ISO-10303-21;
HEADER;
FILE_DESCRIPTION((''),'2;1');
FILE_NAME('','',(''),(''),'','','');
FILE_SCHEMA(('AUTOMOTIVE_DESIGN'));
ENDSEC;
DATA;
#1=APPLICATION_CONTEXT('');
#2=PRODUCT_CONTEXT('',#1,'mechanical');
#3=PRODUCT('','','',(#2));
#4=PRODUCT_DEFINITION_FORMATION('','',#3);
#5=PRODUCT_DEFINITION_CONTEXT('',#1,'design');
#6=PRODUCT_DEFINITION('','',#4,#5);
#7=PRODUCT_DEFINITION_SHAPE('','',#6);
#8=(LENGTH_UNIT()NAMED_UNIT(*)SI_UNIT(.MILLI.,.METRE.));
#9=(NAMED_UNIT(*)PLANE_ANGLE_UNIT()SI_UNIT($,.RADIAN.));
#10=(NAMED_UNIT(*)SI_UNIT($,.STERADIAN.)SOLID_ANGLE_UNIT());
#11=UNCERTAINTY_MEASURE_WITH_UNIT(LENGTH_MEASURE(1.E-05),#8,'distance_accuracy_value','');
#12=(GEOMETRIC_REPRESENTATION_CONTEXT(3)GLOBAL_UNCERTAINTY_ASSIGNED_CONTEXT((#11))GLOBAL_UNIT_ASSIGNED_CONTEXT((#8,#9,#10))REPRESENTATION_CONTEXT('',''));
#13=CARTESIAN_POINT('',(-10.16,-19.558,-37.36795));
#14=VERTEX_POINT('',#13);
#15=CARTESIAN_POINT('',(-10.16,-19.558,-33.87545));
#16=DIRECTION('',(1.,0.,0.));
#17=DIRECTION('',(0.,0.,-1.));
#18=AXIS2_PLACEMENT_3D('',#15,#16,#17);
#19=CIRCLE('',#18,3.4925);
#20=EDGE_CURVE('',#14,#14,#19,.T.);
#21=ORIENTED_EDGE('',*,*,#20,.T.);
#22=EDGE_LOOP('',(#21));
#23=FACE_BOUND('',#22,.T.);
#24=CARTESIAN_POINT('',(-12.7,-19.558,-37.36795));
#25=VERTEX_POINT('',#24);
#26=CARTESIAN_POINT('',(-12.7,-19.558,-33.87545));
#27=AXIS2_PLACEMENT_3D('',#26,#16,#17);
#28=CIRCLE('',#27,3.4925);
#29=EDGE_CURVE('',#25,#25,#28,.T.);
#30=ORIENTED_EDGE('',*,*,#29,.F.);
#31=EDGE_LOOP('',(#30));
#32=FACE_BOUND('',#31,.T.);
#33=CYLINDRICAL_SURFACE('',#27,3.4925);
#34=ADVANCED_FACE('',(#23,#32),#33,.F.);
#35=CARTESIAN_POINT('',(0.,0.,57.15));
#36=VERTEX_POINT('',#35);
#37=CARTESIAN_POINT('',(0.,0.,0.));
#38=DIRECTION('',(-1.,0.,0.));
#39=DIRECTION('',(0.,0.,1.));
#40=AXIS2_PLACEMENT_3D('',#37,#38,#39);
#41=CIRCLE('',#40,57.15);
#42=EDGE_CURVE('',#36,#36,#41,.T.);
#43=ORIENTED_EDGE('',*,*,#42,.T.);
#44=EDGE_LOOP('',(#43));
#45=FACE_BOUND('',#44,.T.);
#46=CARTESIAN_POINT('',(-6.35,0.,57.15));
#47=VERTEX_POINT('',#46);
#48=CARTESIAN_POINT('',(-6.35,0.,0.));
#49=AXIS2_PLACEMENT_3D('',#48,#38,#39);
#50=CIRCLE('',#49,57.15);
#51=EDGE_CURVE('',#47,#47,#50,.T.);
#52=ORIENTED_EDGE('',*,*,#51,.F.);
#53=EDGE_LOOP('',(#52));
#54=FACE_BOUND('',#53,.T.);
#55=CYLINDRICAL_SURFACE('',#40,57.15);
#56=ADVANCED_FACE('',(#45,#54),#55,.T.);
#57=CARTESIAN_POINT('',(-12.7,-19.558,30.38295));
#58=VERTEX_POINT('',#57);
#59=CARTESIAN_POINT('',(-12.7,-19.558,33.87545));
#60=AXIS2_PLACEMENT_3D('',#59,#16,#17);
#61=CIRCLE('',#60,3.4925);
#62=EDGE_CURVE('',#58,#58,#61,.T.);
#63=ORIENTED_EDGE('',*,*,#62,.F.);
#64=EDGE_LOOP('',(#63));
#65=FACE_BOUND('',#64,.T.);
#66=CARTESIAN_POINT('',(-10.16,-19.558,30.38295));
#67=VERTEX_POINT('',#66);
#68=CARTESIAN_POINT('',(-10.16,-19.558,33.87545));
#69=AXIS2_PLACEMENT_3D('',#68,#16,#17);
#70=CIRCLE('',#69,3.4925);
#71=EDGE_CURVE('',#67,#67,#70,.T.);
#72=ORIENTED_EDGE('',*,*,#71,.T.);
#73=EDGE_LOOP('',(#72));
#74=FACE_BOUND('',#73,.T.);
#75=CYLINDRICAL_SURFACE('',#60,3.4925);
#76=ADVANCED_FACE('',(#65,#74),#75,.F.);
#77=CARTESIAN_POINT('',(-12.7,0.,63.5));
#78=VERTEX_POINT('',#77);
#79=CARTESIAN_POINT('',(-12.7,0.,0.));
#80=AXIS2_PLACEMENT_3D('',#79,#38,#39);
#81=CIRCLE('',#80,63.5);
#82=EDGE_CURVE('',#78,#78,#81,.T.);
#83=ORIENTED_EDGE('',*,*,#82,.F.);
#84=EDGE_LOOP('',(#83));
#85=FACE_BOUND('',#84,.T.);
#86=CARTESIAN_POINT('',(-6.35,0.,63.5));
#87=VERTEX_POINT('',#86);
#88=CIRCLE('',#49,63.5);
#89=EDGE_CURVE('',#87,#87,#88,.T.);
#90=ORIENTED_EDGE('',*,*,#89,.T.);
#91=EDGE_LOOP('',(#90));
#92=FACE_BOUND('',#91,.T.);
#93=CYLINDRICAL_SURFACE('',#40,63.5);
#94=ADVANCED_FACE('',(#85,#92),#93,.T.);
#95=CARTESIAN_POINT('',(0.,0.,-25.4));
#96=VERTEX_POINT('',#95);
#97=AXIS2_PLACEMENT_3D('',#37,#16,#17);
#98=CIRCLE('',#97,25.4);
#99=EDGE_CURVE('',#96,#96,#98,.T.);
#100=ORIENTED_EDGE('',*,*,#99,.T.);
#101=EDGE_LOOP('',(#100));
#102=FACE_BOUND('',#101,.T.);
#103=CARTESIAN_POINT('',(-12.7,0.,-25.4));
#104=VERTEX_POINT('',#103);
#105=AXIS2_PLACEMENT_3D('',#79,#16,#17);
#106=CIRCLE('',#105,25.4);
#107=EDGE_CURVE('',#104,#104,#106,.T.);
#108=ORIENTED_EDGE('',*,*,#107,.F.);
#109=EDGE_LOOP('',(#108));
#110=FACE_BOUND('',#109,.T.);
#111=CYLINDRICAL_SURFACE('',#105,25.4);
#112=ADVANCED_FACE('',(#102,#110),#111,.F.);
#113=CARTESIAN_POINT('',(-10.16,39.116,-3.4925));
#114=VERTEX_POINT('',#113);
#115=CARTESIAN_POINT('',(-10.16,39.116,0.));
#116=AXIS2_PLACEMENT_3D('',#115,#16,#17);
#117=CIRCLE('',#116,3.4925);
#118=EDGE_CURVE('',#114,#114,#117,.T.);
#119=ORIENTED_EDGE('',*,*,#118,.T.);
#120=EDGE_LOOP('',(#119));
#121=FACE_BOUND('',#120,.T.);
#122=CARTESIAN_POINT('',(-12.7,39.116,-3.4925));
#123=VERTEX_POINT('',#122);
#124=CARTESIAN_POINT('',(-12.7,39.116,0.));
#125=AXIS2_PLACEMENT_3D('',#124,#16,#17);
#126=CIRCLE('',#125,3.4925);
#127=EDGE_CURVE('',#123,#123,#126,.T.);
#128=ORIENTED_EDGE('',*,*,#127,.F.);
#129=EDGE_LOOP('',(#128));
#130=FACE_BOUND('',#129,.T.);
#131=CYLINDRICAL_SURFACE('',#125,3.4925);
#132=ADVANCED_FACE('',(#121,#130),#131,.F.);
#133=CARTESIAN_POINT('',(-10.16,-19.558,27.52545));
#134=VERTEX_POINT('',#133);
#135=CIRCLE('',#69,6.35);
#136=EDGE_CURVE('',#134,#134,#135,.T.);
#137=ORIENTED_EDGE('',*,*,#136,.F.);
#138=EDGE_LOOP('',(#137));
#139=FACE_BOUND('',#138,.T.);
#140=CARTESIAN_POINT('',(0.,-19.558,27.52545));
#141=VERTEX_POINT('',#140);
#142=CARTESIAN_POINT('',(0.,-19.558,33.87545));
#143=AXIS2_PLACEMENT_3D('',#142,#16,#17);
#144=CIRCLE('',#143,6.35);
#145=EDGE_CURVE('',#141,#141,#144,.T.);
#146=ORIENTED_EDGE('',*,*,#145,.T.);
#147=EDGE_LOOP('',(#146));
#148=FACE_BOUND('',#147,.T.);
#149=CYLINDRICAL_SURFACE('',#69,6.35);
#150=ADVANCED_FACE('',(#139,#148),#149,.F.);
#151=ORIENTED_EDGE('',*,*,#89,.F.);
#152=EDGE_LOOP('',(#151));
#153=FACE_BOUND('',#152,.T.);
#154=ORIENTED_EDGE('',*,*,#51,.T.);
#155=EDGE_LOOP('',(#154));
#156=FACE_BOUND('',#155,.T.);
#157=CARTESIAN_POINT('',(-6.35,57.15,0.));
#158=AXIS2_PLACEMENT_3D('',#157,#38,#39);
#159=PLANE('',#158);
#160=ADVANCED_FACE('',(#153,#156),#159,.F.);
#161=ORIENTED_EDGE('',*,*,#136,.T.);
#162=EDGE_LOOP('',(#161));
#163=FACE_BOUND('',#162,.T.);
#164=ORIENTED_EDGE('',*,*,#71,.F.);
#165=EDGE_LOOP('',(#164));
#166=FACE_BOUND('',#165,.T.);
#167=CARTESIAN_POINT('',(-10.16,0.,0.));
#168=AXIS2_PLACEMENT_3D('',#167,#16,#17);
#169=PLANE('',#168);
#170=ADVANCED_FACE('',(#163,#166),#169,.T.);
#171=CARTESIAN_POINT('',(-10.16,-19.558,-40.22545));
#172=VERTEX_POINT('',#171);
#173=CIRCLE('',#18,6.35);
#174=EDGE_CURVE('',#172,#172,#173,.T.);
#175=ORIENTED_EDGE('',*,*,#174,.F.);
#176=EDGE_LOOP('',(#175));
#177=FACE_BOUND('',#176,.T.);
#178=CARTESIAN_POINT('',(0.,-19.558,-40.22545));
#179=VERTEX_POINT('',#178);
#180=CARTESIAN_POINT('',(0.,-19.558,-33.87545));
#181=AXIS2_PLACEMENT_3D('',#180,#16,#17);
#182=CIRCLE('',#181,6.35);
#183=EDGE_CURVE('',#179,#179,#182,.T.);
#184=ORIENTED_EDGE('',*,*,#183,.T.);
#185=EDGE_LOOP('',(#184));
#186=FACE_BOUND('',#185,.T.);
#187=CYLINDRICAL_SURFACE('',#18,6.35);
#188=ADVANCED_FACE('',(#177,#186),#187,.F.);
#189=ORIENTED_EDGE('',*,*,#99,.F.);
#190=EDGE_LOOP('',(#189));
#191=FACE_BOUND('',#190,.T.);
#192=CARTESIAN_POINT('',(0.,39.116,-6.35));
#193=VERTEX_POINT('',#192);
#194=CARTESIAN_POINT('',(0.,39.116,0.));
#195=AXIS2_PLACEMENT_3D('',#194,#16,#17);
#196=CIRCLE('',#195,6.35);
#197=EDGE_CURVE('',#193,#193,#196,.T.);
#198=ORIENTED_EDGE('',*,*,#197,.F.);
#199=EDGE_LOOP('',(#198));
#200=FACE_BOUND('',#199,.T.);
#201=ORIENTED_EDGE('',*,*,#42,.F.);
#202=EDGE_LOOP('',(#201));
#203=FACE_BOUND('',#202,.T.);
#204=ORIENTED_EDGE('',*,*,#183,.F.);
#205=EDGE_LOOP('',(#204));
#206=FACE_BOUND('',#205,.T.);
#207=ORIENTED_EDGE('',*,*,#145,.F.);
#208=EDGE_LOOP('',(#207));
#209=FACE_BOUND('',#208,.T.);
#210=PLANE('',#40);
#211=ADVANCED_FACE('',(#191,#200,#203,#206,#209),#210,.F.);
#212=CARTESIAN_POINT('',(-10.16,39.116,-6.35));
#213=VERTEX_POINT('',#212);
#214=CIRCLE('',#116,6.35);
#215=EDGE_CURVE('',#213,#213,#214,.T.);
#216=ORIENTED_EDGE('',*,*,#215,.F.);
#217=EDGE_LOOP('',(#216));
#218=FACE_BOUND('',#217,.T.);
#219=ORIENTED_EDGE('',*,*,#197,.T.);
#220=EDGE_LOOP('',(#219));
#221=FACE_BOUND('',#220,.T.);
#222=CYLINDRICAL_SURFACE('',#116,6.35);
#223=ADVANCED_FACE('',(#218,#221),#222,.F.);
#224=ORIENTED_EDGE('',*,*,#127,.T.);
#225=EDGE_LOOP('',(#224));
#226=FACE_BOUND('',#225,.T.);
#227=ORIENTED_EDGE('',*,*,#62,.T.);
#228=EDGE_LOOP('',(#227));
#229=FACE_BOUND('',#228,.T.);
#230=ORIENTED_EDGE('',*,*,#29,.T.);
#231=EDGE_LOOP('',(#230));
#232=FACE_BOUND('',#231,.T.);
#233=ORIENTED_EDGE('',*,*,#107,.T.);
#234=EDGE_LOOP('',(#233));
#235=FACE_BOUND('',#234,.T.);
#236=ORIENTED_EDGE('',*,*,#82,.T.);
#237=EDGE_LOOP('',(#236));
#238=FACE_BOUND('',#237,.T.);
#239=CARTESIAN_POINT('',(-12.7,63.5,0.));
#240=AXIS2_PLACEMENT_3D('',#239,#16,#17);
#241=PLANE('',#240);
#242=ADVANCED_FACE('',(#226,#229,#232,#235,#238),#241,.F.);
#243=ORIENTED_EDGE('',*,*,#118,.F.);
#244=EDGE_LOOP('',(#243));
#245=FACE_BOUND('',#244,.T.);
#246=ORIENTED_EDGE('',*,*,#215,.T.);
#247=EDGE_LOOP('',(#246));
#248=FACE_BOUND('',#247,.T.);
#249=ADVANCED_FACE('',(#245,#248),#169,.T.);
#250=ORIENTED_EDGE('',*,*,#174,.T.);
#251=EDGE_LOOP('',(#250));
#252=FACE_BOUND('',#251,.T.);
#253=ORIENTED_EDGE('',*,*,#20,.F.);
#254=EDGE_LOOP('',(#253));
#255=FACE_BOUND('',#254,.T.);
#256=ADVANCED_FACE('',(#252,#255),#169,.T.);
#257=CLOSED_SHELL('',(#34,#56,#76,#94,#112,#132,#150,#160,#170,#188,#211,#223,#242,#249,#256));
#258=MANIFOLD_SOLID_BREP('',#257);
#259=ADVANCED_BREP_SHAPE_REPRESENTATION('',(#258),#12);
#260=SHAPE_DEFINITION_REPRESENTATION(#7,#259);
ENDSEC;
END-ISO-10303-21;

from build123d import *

# Parameters (mm, degrees)
SKETCH4_R          = 3.4925
SKETCH4_R_2        = 25.4
CUT_EXTRUDE1_DEPTH = 91.696141042
SKETCH4_3_R        = 6.35
SKETCH4_3_R_2      = 3.4925
CUT_EXTRUDE2_DEPTH = 10.16


with BuildPart() as part:
    # Sketch1 → Revolve1 (revolve)
    with BuildSketch(Plane.XY):
        Polygon((0, 0), (0, 57.15), (-6.35, 57.15), (-6.35, 63.5), (-12.7, 63.5), (-12.7, 0), align=None)
    revolve(axis=Axis((0, 0, 0), (1, 0, 0)))

    # Sketch4 → Cut-Extrude1 (cut, through all)
    with BuildSketch(Plane(origin=(0, 0, 0), x_dir=(0, 0, -1), z_dir=(1, 0, 0))):
        with Locations((0, 39.116)):
            Circle(SKETCH4_R)
        with Locations((33.875449694, -19.558)):
            Circle(SKETCH4_R)
        with Locations((-33.875449694, -19.558)):
            Circle(SKETCH4_R)
        Circle(SKETCH4_R_2)
    extrude(amount=-CUT_EXTRUDE1_DEPTH, mode=Mode.SUBTRACT)

    # Sketch4<3> → Cut-Extrude2 (cut)
    # profile 1 of 3: a face of its own
    with BuildSketch(Plane(origin=(0, 0, 0), x_dir=(0, 0, -1), z_dir=(1, 0, 0))):
        with Locations((0, 39.116)):
            Circle(SKETCH4_3_R)
        with Locations((0, 39.116)):
            Circle(SKETCH4_3_R_2, mode=Mode.SUBTRACT)
    # profile 2 of 3: a face of its own
    with BuildSketch(Plane(origin=(0, 0, 0), x_dir=(0, 0, -1), z_dir=(1, 0, 0))):
        with Locations((33.875449694, -19.558)):
            Circle(SKETCH4_3_R)
        with Locations((33.875449694, -19.558)):
            Circle(SKETCH4_3_R_2, mode=Mode.SUBTRACT)
    # profile 3 of 3: a face of its own
    with BuildSketch(Plane(origin=(0, 0, 0), x_dir=(0, 0, -1), z_dir=(1, 0, 0))):
        with Locations((-33.875449694, -19.558)):
            Circle(SKETCH4_3_R)
        with Locations((-33.875449694, -19.558)):
            Circle(SKETCH4_3_R_2, mode=Mode.SUBTRACT)
    extrude(amount=-CUT_EXTRUDE2_DEPTH, mode=Mode.SUBTRACT)


solid = part.part
